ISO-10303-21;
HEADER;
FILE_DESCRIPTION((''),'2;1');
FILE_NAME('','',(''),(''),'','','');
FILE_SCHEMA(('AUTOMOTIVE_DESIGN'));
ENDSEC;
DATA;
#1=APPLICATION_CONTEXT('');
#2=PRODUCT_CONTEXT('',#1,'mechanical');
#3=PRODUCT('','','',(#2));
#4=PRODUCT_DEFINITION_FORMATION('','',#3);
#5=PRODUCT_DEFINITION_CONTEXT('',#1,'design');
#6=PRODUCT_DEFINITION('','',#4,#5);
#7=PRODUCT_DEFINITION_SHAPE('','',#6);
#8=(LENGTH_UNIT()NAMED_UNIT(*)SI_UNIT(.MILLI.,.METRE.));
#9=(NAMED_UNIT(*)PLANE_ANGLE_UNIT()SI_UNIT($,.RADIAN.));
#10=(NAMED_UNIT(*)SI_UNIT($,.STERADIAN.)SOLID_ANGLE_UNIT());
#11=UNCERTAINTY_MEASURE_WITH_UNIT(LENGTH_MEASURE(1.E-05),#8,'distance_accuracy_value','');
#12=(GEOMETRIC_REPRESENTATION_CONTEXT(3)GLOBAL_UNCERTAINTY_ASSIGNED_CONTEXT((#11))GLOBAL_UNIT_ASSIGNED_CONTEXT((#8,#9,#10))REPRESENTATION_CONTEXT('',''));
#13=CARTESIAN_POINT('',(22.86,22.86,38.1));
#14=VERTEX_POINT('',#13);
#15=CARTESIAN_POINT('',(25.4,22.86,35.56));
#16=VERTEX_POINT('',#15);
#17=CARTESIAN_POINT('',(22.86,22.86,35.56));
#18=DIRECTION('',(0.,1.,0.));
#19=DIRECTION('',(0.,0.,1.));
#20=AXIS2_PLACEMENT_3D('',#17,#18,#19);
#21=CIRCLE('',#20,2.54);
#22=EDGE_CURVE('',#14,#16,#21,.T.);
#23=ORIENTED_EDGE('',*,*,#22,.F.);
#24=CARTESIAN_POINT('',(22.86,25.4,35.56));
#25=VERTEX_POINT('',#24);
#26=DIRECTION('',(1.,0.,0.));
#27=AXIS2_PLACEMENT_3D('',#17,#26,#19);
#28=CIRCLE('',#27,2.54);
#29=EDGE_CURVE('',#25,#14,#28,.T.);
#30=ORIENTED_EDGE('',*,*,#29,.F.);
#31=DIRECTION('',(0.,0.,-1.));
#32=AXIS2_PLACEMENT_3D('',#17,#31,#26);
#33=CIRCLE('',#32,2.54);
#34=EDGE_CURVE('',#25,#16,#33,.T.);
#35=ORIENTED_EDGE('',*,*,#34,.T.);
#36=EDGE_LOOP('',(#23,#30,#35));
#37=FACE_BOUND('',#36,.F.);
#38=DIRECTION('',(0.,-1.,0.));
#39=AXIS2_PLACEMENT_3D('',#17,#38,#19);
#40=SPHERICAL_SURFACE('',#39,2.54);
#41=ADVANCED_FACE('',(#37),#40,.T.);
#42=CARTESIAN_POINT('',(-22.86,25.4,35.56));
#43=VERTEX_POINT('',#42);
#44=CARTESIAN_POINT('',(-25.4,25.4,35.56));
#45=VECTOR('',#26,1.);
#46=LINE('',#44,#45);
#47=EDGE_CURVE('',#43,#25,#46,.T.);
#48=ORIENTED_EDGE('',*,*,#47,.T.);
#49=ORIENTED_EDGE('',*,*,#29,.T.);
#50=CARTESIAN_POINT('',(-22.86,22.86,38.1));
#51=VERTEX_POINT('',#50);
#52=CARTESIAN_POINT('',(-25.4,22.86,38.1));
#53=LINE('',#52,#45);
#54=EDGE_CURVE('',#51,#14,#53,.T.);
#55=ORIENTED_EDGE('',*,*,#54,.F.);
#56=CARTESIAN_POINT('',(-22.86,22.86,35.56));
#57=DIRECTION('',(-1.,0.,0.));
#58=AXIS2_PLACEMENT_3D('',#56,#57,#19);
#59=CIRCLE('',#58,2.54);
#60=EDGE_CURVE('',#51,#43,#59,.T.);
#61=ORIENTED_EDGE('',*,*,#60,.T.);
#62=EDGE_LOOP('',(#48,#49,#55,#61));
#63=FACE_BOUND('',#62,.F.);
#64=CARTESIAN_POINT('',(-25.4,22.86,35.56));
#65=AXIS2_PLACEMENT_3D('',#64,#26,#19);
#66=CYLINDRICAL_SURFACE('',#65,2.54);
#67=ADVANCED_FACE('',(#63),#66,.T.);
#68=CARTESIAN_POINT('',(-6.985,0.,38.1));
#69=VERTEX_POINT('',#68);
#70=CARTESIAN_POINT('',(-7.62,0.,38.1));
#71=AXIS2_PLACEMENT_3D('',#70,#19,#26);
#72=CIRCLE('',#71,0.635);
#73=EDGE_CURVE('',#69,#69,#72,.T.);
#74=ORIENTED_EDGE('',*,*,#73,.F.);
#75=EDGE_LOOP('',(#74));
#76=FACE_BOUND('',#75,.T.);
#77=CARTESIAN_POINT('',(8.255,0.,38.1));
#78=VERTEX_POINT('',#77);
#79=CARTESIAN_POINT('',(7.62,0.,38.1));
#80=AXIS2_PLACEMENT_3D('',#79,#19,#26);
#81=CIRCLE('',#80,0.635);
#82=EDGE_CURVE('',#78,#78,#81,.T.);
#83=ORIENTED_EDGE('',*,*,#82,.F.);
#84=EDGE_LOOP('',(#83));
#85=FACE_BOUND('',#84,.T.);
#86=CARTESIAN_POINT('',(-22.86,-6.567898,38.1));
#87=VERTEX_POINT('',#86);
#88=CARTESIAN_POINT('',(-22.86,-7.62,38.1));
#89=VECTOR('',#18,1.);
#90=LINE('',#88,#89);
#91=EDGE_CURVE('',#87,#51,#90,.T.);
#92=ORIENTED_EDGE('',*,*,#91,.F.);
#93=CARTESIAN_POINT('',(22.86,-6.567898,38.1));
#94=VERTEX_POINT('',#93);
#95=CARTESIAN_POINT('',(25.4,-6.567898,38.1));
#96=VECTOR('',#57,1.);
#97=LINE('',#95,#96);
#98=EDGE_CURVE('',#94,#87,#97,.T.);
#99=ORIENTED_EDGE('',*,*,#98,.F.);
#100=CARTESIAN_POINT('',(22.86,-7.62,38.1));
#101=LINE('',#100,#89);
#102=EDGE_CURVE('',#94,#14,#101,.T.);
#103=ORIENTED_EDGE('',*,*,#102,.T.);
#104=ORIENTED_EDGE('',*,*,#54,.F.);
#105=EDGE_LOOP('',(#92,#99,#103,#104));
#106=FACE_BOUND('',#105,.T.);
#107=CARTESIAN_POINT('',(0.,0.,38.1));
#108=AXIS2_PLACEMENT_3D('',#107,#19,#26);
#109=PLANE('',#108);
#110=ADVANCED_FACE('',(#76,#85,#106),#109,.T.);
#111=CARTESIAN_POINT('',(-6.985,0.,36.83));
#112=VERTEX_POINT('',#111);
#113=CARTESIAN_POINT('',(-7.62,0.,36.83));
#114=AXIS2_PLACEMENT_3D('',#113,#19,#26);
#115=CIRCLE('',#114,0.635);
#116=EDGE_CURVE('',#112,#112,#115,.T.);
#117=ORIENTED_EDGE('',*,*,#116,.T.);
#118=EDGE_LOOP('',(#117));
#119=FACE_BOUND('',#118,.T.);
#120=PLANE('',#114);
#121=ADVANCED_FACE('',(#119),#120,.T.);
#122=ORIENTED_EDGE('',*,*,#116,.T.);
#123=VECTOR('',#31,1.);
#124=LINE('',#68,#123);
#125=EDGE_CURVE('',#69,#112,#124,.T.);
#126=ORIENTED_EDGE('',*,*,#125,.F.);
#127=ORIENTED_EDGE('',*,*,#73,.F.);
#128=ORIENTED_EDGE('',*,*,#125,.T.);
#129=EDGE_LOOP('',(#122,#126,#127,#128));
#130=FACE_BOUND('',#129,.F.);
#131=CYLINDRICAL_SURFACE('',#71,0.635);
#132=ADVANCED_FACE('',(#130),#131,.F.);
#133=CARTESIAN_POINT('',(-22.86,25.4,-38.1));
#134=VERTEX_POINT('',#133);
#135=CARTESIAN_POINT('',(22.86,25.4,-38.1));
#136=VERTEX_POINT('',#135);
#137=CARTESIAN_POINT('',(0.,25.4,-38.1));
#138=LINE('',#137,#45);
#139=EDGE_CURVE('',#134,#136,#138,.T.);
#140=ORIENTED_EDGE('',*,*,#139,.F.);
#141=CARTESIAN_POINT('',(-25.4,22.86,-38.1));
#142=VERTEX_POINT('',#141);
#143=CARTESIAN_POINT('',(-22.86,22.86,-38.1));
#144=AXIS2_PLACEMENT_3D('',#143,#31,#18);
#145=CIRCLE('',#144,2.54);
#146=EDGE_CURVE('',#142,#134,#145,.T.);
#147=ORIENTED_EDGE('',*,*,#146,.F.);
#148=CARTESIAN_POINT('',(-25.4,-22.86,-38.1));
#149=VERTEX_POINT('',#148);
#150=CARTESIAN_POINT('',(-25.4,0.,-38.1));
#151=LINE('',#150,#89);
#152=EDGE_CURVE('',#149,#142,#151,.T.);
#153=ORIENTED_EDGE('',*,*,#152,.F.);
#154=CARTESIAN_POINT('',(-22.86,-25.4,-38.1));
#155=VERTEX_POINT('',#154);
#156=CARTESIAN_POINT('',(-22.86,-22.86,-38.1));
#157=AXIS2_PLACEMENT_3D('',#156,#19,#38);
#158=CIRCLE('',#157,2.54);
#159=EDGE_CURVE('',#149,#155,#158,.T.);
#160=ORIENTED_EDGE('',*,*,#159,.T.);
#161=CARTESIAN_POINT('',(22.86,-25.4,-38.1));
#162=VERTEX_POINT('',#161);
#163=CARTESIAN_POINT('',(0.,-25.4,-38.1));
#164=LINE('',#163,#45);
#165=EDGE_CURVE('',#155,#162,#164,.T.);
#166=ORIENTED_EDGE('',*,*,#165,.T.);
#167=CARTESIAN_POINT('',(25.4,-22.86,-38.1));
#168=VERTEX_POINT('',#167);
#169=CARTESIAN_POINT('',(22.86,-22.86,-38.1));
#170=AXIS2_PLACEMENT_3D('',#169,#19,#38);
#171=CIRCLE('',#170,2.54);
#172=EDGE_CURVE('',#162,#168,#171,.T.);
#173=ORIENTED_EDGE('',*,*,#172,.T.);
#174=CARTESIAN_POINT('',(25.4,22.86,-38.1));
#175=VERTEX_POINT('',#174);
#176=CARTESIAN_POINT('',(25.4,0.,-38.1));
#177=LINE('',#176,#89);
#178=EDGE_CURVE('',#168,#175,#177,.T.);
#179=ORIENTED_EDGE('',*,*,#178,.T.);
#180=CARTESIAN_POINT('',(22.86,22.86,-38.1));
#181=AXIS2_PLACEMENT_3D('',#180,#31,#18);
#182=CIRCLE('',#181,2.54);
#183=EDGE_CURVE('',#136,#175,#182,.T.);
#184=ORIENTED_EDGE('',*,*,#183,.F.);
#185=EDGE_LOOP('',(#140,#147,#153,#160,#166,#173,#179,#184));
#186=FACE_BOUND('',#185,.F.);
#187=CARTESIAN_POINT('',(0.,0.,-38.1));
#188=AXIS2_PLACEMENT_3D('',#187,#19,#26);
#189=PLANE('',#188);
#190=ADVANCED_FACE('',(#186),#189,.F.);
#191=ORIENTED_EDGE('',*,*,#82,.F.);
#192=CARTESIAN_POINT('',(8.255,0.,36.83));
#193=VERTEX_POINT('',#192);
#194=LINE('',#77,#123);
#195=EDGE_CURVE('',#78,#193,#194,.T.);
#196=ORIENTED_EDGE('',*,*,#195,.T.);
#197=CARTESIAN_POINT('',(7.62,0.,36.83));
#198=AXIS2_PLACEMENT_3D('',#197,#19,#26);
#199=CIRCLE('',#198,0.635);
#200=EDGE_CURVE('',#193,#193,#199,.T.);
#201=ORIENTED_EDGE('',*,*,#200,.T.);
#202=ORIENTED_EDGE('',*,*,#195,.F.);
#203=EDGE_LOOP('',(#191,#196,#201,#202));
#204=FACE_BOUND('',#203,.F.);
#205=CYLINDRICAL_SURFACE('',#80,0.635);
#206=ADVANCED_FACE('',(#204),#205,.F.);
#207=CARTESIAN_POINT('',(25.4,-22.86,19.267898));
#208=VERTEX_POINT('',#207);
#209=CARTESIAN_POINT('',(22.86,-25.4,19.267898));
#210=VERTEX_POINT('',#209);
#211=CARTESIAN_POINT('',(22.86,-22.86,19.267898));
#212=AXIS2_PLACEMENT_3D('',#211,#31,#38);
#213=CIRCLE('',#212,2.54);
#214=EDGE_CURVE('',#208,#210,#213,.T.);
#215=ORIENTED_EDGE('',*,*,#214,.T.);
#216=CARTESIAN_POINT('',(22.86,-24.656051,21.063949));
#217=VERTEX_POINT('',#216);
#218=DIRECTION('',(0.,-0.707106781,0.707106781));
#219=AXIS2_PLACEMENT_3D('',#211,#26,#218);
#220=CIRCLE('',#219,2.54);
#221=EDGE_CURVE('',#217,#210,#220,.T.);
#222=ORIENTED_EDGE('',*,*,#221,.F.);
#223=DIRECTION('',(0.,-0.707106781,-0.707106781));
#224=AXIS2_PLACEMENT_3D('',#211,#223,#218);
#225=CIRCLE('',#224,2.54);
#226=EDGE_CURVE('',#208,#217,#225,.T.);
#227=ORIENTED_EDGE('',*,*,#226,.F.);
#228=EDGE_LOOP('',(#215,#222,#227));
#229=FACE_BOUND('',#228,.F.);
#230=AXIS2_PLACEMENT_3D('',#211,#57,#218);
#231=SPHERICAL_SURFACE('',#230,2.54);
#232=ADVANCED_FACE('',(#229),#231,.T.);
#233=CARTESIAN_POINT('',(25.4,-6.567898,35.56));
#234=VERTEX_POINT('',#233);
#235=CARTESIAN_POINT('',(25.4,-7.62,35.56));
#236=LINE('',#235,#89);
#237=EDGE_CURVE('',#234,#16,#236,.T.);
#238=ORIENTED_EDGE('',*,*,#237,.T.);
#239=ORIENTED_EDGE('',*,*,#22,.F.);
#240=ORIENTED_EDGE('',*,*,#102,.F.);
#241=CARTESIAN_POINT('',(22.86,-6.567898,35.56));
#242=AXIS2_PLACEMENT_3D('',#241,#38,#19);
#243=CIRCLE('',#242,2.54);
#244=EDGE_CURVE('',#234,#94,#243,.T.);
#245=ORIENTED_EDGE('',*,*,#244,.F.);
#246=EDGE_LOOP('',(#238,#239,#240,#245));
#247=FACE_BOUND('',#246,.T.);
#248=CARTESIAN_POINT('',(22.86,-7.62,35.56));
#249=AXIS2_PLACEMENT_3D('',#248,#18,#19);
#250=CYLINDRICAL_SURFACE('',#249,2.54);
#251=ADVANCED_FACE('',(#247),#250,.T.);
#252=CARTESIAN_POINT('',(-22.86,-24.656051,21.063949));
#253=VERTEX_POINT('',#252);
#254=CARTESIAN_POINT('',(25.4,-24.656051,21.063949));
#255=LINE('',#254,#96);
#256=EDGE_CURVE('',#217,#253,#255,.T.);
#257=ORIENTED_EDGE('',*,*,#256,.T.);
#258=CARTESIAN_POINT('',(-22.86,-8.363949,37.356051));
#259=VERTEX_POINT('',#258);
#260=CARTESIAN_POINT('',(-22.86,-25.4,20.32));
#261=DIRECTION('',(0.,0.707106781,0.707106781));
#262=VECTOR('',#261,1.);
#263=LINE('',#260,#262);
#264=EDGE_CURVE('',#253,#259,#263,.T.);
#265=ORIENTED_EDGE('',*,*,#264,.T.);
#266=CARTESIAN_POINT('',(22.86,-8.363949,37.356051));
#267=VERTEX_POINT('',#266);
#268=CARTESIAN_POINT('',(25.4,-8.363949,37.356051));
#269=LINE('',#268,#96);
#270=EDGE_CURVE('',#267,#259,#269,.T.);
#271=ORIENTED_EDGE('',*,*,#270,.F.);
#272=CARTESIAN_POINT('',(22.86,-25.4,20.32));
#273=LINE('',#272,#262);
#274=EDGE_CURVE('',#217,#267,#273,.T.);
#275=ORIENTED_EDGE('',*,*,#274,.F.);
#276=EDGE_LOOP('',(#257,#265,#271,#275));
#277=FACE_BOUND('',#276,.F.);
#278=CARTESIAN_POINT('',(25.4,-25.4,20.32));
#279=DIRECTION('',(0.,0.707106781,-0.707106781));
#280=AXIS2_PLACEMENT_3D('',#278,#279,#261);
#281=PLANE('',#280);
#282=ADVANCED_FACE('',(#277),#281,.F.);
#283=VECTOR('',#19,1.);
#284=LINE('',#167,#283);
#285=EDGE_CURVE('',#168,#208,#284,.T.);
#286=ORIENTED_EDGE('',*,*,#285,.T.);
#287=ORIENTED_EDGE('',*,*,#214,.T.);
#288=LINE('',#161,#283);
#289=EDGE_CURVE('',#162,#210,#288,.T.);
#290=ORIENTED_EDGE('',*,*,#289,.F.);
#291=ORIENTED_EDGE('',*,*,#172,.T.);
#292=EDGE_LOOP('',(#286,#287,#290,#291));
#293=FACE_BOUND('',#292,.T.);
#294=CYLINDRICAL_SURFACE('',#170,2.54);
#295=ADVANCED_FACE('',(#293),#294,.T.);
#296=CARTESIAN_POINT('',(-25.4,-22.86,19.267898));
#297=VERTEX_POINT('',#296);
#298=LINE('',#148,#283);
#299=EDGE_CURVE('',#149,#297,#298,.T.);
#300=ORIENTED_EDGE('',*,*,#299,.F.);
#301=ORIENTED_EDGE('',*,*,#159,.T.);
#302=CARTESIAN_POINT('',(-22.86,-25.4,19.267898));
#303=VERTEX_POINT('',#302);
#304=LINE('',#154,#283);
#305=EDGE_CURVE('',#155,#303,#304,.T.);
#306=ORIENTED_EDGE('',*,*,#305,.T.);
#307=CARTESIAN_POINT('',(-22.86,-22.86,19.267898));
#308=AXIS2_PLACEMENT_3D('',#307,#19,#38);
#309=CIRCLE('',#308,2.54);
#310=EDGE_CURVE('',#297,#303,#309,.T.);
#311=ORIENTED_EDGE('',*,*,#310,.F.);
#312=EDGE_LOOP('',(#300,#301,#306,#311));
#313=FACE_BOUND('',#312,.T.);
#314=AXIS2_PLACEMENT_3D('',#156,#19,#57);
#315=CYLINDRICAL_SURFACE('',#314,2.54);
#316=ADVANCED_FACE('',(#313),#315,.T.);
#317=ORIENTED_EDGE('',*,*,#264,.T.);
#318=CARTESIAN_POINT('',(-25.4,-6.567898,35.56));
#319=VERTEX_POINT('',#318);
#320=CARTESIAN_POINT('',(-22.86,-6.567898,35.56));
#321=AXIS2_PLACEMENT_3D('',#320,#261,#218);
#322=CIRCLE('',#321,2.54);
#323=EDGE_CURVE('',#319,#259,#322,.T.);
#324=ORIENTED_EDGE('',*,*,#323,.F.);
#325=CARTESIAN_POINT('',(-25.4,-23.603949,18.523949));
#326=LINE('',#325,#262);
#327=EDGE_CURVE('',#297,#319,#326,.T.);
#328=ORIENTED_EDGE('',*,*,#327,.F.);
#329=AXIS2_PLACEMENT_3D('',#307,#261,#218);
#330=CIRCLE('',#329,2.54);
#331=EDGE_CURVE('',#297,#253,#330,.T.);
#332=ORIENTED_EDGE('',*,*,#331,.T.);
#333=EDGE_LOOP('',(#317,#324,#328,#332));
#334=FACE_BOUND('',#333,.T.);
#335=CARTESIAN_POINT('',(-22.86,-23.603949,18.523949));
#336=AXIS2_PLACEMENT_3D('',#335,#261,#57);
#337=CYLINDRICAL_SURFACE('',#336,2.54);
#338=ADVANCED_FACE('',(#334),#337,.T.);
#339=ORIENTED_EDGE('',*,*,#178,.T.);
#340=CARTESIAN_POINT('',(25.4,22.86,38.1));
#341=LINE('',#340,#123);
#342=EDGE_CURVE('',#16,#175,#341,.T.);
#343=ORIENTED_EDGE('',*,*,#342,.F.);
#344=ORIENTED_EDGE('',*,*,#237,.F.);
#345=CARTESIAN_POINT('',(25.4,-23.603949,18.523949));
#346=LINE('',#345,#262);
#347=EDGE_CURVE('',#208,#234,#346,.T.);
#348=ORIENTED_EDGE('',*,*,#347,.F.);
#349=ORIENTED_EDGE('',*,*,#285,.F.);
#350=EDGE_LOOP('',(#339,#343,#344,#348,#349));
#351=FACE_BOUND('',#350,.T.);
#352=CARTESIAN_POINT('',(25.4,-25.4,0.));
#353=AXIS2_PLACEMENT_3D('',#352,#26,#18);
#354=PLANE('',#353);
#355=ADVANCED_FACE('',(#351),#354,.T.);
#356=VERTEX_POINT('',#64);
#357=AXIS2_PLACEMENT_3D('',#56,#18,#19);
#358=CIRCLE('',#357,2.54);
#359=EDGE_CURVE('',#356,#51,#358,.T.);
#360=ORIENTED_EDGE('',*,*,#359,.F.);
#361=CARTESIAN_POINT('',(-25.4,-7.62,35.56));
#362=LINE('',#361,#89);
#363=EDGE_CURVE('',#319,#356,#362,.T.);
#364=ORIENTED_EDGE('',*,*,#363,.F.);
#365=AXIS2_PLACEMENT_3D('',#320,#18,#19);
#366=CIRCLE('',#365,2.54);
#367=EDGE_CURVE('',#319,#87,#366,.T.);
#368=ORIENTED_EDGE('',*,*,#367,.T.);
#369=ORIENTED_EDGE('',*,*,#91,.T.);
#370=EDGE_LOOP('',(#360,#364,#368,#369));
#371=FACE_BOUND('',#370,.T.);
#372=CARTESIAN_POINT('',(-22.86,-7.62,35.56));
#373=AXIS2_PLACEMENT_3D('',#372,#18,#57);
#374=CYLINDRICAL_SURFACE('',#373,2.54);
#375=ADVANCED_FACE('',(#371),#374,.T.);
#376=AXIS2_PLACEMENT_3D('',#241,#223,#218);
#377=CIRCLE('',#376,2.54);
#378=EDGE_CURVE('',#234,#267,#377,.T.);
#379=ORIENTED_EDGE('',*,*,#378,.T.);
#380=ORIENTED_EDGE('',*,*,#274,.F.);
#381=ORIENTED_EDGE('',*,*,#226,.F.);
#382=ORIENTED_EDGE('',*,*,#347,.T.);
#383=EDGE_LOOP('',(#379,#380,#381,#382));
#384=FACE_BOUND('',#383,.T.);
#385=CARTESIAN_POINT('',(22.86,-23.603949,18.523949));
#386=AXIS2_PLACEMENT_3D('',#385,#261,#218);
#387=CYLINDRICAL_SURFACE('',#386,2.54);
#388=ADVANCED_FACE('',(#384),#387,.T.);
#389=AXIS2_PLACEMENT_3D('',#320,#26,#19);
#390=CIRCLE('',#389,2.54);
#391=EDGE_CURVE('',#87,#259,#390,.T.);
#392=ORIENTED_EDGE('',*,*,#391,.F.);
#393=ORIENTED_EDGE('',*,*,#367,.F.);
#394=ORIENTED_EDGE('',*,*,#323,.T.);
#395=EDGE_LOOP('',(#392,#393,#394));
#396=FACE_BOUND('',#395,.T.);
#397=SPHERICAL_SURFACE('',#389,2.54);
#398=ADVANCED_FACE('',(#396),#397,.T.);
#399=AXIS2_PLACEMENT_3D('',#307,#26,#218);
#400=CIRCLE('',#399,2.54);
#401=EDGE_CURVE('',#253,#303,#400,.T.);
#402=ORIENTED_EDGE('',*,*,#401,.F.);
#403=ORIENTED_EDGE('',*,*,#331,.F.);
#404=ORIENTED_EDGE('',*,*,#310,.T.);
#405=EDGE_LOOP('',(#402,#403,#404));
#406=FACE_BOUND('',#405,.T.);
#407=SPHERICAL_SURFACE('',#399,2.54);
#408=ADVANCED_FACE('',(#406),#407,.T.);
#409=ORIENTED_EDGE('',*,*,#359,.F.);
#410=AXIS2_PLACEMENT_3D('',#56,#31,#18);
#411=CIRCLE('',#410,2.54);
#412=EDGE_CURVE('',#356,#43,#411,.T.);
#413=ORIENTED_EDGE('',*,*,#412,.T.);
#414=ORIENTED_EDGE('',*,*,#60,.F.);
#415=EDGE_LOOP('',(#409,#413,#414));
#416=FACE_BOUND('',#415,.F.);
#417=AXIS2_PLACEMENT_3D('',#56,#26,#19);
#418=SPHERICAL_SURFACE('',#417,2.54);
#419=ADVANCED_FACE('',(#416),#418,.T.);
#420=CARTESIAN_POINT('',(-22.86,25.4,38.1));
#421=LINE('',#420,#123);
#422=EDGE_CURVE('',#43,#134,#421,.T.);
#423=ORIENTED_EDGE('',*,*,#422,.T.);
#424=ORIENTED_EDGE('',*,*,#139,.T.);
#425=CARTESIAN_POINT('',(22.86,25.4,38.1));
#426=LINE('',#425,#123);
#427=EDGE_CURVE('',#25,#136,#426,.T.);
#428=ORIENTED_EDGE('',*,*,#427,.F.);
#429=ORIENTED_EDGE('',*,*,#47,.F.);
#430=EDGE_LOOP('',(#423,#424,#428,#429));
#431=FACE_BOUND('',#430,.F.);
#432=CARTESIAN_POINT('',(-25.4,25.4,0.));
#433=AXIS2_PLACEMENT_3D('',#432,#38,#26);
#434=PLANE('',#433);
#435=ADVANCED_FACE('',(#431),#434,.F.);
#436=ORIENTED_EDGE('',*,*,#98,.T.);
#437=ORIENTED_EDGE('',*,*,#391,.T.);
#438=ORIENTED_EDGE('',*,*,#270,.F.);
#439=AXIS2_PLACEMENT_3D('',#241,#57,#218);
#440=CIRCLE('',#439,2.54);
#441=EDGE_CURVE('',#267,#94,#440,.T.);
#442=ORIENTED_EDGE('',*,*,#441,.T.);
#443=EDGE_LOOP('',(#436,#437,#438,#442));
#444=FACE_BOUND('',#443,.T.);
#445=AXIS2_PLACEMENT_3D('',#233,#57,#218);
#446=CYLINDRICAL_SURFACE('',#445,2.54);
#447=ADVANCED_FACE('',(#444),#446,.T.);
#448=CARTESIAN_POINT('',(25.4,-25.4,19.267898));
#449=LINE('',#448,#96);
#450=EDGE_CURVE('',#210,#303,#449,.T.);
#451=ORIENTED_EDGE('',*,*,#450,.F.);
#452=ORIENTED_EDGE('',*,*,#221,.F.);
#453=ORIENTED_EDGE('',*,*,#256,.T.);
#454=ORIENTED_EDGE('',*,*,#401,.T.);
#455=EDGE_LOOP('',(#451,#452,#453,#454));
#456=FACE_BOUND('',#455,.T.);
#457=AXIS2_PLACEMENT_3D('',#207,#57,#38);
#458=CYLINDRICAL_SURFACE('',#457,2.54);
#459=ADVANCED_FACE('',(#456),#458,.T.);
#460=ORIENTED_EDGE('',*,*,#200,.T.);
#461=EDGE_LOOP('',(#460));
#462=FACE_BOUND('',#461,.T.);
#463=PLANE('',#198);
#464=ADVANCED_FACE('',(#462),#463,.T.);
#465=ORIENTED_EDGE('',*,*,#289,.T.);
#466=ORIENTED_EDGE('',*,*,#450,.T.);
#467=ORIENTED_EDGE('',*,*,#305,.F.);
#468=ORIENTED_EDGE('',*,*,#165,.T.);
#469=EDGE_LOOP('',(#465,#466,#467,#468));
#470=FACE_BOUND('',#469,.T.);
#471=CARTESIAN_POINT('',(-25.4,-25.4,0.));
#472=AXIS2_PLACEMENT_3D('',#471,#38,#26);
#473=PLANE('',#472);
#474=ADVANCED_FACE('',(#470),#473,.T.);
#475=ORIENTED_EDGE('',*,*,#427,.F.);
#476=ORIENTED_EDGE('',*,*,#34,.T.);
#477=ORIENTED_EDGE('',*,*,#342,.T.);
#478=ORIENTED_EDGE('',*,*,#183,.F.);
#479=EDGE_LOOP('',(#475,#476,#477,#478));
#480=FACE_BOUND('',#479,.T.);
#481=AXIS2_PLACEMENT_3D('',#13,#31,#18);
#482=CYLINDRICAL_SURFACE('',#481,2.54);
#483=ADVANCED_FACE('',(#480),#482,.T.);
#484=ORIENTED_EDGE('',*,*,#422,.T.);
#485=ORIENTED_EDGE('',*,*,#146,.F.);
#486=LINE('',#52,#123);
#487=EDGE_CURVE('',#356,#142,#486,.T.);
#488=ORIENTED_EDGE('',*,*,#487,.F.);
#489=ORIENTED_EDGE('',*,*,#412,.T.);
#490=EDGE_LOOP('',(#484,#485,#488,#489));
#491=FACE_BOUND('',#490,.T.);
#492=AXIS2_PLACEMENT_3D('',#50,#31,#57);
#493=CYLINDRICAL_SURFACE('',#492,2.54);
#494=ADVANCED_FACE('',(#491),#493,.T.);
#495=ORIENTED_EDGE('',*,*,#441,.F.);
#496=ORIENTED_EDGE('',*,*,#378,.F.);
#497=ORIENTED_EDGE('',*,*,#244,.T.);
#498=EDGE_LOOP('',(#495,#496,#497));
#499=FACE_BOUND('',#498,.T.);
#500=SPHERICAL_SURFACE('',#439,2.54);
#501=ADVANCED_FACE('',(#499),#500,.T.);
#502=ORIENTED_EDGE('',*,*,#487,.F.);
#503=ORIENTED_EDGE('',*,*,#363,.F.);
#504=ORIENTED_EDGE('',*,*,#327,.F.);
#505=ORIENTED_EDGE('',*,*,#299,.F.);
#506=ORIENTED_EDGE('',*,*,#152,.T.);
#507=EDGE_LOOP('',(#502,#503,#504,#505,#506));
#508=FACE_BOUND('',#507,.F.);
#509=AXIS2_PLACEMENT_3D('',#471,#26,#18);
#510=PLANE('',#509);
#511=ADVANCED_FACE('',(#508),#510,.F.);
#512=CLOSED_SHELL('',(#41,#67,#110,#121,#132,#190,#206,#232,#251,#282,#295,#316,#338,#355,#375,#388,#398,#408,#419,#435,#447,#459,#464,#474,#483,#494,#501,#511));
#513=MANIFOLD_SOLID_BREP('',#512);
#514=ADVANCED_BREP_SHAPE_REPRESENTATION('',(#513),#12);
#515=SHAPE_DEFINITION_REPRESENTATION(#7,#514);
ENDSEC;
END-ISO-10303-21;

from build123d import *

# Parameters (mm, degrees)
F0_W     = 50.8
F0_H     = 50.8
F1_DEPTH = 38.1
F2_R     = 0.635
F3_DEPTH = 1.27
F5_DEPTH = 50.801
F6_R     = 2.54


with BuildPart() as f1:
    # F0 (on Top) → F1 (new body, symmetric)
    with BuildSketch(Plane.XY):
        Rectangle(F0_W, F0_H)
    extrude(amount=F1_DEPTH, both=True)

    # F2 (on face) → F3 (cut)
    with BuildSketch(Plane.XY.offset(38.1)):
        with Locations((-7.62, 0)):
            Circle(F2_R)
        with Locations((7.62, 0)):
            Circle(F2_R)
    extrude(amount=-F3_DEPTH, mode=Mode.SUBTRACT)

    # F4 (on face) → F5 (cut, through all)
    with BuildSketch(Plane.YZ.offset(25.4)):
        Polygon((-25.4, 38.1), (-25.4, 20.32), (-7.62, 38.1), align=None)
    extrude(amount=-F5_DEPTH, mode=Mode.SUBTRACT)

    # F6
    f6_edges = [f1.edges().sort_by_distance(p)[0] for p in [
        (0, -7.62, 38.1),
        (0, -25.4, 20.32),
        (25.4, -16.51, 29.21),
        (25.4, 8.89, 38.1),
        (0, 25.4, 38.1),
        (25.4, 25.4, 0),
        (-25.4, 8.89, 38.1),
        (-25.4, -16.51, 29.21),
        (25.4, -25.4, -8.89),
        (-25.4, -25.4, -8.89),
        (-25.4, 25.4, 0),
    ]]
    fillet(f6_edges, radius=F6_R)


solid = f1.part
